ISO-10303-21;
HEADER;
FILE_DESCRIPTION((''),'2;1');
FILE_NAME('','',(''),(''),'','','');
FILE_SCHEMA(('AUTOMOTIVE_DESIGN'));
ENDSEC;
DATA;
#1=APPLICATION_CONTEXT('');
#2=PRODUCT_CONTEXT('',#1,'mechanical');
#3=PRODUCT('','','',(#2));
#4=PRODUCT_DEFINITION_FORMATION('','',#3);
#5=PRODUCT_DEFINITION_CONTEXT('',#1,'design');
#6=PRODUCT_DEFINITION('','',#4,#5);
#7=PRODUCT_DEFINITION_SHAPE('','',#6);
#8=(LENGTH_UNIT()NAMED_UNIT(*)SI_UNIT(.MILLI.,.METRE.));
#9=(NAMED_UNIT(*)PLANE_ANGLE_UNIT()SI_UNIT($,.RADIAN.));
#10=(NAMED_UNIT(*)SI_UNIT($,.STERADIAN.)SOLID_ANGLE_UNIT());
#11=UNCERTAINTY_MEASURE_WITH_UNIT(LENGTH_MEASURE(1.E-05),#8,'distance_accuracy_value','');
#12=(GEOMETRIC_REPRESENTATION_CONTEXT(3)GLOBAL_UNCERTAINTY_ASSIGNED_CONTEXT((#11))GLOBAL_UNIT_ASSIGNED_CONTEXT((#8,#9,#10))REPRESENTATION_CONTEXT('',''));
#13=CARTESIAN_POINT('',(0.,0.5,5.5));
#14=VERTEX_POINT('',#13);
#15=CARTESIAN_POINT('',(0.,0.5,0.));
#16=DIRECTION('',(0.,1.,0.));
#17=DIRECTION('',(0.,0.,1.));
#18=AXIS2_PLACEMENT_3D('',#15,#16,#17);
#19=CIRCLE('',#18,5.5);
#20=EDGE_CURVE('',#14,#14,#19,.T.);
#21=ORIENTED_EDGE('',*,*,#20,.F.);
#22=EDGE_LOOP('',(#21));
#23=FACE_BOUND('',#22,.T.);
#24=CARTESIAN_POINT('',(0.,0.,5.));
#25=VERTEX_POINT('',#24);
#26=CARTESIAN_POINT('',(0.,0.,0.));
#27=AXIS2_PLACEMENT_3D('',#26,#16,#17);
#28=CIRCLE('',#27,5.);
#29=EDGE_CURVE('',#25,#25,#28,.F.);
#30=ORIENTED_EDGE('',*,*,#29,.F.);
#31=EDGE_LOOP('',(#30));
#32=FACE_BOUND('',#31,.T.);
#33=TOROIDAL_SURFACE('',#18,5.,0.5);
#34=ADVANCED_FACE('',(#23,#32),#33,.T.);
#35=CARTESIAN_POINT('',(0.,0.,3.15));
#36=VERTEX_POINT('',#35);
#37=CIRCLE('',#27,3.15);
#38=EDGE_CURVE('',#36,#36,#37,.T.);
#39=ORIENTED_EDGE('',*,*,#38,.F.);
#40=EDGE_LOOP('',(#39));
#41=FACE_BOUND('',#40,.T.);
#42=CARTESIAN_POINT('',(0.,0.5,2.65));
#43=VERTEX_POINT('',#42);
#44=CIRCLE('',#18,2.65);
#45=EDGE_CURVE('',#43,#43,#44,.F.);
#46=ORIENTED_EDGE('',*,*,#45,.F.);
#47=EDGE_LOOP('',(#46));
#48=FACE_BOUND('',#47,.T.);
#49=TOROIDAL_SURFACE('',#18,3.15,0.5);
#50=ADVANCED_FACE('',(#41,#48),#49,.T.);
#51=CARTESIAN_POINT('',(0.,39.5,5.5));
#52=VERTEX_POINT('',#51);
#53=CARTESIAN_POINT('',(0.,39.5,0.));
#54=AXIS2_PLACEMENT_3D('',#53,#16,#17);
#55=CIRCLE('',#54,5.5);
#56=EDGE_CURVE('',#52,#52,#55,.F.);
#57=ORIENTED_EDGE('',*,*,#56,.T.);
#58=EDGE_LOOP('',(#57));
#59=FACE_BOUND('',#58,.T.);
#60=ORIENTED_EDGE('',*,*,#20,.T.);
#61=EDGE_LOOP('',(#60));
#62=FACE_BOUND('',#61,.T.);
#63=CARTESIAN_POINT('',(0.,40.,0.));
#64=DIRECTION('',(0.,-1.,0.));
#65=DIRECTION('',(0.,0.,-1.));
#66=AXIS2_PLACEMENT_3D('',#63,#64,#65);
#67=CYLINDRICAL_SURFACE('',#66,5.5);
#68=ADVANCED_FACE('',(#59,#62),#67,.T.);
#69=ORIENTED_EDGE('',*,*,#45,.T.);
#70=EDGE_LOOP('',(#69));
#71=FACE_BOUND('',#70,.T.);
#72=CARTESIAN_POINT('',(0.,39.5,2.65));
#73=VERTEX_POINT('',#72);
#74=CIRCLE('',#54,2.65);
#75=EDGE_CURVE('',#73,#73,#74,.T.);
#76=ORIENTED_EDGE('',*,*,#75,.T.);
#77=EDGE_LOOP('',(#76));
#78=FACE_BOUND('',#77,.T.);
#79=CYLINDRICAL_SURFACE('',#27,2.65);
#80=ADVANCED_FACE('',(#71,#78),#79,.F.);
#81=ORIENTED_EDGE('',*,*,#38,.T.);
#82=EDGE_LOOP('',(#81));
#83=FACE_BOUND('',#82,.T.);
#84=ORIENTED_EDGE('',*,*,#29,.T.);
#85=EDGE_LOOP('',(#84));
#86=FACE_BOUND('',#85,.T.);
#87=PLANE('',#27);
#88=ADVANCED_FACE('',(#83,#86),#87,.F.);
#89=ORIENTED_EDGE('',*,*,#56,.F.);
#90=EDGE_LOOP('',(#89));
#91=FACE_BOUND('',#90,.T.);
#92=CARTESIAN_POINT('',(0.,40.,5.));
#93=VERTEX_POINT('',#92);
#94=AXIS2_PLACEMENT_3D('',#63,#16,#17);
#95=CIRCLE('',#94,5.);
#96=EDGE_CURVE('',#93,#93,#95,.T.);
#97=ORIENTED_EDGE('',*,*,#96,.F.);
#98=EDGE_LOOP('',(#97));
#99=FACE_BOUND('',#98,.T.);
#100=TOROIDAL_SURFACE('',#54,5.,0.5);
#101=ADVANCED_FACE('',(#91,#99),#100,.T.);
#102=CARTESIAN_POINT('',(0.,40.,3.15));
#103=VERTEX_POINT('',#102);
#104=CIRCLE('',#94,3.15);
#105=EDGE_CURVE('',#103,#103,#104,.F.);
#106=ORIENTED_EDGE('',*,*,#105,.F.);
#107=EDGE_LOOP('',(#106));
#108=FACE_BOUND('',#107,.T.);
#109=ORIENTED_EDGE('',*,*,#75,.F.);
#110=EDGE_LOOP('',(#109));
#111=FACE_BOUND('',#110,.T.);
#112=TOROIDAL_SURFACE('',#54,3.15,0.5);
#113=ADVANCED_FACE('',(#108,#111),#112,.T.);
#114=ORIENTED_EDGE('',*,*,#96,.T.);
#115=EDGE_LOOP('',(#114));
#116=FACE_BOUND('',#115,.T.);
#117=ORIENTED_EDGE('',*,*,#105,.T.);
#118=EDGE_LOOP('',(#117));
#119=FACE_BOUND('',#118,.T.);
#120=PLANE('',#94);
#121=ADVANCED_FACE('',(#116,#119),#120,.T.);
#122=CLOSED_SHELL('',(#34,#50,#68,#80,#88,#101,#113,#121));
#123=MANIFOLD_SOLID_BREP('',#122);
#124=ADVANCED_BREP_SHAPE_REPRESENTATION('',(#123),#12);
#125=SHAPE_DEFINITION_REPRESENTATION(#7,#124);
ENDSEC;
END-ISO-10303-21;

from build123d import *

# Parameters (mm, degrees)
ESBO_O1_R                = 5.5
RESSALTO_EXTRUS_O1_DEPTH = 40
ESBO_O2_R                = 2.65
CORTE_EXTRUS_O1_DEPTH    = 40
FILETE1_R                = 0.5
FILETE2_R                = 0.5


with BuildPart() as part:
    # Esboço1 → Ressalto-extrusão1 (new body)
    with BuildSketch(Plane(origin=(0, 0, 0), x_dir=(1, 0, 0), z_dir=(0, 1, 0))):
        with Locations(Location((0, 0, 0), (0, 0, 270))):
            Circle(ESBO_O1_R)
    extrude(amount=RESSALTO_EXTRUS_O1_DEPTH)

    # Esboço2 → Corte-extrusão1 (cut)
    with BuildSketch(Plane(origin=(0, 40, 0), x_dir=(1, 0, 0), z_dir=(0, 1, 0))):
        with Locations(Location((0, 0, 0), (0, 0, 270))):
            Circle(ESBO_O2_R)
    extrude(amount=-CORTE_EXTRUS_O1_DEPTH, mode=Mode.SUBTRACT)

    # Filete1
    filete1_edges = [part.edges().sort_by_distance(p)[0] for p in [
        (0, 0, -5.5),
        (0, 40, -5.5),
    ]]
    fillet(filete1_edges, radius=FILETE1_R)

    # Filete2
    filete2_edges = [part.edges().sort_by_distance(p)[0] for p in [
        (0, 0, -2.65),
        (0, 40, -2.65),
    ]]
    fillet(filete2_edges, radius=FILETE2_R)


solid = part.part
